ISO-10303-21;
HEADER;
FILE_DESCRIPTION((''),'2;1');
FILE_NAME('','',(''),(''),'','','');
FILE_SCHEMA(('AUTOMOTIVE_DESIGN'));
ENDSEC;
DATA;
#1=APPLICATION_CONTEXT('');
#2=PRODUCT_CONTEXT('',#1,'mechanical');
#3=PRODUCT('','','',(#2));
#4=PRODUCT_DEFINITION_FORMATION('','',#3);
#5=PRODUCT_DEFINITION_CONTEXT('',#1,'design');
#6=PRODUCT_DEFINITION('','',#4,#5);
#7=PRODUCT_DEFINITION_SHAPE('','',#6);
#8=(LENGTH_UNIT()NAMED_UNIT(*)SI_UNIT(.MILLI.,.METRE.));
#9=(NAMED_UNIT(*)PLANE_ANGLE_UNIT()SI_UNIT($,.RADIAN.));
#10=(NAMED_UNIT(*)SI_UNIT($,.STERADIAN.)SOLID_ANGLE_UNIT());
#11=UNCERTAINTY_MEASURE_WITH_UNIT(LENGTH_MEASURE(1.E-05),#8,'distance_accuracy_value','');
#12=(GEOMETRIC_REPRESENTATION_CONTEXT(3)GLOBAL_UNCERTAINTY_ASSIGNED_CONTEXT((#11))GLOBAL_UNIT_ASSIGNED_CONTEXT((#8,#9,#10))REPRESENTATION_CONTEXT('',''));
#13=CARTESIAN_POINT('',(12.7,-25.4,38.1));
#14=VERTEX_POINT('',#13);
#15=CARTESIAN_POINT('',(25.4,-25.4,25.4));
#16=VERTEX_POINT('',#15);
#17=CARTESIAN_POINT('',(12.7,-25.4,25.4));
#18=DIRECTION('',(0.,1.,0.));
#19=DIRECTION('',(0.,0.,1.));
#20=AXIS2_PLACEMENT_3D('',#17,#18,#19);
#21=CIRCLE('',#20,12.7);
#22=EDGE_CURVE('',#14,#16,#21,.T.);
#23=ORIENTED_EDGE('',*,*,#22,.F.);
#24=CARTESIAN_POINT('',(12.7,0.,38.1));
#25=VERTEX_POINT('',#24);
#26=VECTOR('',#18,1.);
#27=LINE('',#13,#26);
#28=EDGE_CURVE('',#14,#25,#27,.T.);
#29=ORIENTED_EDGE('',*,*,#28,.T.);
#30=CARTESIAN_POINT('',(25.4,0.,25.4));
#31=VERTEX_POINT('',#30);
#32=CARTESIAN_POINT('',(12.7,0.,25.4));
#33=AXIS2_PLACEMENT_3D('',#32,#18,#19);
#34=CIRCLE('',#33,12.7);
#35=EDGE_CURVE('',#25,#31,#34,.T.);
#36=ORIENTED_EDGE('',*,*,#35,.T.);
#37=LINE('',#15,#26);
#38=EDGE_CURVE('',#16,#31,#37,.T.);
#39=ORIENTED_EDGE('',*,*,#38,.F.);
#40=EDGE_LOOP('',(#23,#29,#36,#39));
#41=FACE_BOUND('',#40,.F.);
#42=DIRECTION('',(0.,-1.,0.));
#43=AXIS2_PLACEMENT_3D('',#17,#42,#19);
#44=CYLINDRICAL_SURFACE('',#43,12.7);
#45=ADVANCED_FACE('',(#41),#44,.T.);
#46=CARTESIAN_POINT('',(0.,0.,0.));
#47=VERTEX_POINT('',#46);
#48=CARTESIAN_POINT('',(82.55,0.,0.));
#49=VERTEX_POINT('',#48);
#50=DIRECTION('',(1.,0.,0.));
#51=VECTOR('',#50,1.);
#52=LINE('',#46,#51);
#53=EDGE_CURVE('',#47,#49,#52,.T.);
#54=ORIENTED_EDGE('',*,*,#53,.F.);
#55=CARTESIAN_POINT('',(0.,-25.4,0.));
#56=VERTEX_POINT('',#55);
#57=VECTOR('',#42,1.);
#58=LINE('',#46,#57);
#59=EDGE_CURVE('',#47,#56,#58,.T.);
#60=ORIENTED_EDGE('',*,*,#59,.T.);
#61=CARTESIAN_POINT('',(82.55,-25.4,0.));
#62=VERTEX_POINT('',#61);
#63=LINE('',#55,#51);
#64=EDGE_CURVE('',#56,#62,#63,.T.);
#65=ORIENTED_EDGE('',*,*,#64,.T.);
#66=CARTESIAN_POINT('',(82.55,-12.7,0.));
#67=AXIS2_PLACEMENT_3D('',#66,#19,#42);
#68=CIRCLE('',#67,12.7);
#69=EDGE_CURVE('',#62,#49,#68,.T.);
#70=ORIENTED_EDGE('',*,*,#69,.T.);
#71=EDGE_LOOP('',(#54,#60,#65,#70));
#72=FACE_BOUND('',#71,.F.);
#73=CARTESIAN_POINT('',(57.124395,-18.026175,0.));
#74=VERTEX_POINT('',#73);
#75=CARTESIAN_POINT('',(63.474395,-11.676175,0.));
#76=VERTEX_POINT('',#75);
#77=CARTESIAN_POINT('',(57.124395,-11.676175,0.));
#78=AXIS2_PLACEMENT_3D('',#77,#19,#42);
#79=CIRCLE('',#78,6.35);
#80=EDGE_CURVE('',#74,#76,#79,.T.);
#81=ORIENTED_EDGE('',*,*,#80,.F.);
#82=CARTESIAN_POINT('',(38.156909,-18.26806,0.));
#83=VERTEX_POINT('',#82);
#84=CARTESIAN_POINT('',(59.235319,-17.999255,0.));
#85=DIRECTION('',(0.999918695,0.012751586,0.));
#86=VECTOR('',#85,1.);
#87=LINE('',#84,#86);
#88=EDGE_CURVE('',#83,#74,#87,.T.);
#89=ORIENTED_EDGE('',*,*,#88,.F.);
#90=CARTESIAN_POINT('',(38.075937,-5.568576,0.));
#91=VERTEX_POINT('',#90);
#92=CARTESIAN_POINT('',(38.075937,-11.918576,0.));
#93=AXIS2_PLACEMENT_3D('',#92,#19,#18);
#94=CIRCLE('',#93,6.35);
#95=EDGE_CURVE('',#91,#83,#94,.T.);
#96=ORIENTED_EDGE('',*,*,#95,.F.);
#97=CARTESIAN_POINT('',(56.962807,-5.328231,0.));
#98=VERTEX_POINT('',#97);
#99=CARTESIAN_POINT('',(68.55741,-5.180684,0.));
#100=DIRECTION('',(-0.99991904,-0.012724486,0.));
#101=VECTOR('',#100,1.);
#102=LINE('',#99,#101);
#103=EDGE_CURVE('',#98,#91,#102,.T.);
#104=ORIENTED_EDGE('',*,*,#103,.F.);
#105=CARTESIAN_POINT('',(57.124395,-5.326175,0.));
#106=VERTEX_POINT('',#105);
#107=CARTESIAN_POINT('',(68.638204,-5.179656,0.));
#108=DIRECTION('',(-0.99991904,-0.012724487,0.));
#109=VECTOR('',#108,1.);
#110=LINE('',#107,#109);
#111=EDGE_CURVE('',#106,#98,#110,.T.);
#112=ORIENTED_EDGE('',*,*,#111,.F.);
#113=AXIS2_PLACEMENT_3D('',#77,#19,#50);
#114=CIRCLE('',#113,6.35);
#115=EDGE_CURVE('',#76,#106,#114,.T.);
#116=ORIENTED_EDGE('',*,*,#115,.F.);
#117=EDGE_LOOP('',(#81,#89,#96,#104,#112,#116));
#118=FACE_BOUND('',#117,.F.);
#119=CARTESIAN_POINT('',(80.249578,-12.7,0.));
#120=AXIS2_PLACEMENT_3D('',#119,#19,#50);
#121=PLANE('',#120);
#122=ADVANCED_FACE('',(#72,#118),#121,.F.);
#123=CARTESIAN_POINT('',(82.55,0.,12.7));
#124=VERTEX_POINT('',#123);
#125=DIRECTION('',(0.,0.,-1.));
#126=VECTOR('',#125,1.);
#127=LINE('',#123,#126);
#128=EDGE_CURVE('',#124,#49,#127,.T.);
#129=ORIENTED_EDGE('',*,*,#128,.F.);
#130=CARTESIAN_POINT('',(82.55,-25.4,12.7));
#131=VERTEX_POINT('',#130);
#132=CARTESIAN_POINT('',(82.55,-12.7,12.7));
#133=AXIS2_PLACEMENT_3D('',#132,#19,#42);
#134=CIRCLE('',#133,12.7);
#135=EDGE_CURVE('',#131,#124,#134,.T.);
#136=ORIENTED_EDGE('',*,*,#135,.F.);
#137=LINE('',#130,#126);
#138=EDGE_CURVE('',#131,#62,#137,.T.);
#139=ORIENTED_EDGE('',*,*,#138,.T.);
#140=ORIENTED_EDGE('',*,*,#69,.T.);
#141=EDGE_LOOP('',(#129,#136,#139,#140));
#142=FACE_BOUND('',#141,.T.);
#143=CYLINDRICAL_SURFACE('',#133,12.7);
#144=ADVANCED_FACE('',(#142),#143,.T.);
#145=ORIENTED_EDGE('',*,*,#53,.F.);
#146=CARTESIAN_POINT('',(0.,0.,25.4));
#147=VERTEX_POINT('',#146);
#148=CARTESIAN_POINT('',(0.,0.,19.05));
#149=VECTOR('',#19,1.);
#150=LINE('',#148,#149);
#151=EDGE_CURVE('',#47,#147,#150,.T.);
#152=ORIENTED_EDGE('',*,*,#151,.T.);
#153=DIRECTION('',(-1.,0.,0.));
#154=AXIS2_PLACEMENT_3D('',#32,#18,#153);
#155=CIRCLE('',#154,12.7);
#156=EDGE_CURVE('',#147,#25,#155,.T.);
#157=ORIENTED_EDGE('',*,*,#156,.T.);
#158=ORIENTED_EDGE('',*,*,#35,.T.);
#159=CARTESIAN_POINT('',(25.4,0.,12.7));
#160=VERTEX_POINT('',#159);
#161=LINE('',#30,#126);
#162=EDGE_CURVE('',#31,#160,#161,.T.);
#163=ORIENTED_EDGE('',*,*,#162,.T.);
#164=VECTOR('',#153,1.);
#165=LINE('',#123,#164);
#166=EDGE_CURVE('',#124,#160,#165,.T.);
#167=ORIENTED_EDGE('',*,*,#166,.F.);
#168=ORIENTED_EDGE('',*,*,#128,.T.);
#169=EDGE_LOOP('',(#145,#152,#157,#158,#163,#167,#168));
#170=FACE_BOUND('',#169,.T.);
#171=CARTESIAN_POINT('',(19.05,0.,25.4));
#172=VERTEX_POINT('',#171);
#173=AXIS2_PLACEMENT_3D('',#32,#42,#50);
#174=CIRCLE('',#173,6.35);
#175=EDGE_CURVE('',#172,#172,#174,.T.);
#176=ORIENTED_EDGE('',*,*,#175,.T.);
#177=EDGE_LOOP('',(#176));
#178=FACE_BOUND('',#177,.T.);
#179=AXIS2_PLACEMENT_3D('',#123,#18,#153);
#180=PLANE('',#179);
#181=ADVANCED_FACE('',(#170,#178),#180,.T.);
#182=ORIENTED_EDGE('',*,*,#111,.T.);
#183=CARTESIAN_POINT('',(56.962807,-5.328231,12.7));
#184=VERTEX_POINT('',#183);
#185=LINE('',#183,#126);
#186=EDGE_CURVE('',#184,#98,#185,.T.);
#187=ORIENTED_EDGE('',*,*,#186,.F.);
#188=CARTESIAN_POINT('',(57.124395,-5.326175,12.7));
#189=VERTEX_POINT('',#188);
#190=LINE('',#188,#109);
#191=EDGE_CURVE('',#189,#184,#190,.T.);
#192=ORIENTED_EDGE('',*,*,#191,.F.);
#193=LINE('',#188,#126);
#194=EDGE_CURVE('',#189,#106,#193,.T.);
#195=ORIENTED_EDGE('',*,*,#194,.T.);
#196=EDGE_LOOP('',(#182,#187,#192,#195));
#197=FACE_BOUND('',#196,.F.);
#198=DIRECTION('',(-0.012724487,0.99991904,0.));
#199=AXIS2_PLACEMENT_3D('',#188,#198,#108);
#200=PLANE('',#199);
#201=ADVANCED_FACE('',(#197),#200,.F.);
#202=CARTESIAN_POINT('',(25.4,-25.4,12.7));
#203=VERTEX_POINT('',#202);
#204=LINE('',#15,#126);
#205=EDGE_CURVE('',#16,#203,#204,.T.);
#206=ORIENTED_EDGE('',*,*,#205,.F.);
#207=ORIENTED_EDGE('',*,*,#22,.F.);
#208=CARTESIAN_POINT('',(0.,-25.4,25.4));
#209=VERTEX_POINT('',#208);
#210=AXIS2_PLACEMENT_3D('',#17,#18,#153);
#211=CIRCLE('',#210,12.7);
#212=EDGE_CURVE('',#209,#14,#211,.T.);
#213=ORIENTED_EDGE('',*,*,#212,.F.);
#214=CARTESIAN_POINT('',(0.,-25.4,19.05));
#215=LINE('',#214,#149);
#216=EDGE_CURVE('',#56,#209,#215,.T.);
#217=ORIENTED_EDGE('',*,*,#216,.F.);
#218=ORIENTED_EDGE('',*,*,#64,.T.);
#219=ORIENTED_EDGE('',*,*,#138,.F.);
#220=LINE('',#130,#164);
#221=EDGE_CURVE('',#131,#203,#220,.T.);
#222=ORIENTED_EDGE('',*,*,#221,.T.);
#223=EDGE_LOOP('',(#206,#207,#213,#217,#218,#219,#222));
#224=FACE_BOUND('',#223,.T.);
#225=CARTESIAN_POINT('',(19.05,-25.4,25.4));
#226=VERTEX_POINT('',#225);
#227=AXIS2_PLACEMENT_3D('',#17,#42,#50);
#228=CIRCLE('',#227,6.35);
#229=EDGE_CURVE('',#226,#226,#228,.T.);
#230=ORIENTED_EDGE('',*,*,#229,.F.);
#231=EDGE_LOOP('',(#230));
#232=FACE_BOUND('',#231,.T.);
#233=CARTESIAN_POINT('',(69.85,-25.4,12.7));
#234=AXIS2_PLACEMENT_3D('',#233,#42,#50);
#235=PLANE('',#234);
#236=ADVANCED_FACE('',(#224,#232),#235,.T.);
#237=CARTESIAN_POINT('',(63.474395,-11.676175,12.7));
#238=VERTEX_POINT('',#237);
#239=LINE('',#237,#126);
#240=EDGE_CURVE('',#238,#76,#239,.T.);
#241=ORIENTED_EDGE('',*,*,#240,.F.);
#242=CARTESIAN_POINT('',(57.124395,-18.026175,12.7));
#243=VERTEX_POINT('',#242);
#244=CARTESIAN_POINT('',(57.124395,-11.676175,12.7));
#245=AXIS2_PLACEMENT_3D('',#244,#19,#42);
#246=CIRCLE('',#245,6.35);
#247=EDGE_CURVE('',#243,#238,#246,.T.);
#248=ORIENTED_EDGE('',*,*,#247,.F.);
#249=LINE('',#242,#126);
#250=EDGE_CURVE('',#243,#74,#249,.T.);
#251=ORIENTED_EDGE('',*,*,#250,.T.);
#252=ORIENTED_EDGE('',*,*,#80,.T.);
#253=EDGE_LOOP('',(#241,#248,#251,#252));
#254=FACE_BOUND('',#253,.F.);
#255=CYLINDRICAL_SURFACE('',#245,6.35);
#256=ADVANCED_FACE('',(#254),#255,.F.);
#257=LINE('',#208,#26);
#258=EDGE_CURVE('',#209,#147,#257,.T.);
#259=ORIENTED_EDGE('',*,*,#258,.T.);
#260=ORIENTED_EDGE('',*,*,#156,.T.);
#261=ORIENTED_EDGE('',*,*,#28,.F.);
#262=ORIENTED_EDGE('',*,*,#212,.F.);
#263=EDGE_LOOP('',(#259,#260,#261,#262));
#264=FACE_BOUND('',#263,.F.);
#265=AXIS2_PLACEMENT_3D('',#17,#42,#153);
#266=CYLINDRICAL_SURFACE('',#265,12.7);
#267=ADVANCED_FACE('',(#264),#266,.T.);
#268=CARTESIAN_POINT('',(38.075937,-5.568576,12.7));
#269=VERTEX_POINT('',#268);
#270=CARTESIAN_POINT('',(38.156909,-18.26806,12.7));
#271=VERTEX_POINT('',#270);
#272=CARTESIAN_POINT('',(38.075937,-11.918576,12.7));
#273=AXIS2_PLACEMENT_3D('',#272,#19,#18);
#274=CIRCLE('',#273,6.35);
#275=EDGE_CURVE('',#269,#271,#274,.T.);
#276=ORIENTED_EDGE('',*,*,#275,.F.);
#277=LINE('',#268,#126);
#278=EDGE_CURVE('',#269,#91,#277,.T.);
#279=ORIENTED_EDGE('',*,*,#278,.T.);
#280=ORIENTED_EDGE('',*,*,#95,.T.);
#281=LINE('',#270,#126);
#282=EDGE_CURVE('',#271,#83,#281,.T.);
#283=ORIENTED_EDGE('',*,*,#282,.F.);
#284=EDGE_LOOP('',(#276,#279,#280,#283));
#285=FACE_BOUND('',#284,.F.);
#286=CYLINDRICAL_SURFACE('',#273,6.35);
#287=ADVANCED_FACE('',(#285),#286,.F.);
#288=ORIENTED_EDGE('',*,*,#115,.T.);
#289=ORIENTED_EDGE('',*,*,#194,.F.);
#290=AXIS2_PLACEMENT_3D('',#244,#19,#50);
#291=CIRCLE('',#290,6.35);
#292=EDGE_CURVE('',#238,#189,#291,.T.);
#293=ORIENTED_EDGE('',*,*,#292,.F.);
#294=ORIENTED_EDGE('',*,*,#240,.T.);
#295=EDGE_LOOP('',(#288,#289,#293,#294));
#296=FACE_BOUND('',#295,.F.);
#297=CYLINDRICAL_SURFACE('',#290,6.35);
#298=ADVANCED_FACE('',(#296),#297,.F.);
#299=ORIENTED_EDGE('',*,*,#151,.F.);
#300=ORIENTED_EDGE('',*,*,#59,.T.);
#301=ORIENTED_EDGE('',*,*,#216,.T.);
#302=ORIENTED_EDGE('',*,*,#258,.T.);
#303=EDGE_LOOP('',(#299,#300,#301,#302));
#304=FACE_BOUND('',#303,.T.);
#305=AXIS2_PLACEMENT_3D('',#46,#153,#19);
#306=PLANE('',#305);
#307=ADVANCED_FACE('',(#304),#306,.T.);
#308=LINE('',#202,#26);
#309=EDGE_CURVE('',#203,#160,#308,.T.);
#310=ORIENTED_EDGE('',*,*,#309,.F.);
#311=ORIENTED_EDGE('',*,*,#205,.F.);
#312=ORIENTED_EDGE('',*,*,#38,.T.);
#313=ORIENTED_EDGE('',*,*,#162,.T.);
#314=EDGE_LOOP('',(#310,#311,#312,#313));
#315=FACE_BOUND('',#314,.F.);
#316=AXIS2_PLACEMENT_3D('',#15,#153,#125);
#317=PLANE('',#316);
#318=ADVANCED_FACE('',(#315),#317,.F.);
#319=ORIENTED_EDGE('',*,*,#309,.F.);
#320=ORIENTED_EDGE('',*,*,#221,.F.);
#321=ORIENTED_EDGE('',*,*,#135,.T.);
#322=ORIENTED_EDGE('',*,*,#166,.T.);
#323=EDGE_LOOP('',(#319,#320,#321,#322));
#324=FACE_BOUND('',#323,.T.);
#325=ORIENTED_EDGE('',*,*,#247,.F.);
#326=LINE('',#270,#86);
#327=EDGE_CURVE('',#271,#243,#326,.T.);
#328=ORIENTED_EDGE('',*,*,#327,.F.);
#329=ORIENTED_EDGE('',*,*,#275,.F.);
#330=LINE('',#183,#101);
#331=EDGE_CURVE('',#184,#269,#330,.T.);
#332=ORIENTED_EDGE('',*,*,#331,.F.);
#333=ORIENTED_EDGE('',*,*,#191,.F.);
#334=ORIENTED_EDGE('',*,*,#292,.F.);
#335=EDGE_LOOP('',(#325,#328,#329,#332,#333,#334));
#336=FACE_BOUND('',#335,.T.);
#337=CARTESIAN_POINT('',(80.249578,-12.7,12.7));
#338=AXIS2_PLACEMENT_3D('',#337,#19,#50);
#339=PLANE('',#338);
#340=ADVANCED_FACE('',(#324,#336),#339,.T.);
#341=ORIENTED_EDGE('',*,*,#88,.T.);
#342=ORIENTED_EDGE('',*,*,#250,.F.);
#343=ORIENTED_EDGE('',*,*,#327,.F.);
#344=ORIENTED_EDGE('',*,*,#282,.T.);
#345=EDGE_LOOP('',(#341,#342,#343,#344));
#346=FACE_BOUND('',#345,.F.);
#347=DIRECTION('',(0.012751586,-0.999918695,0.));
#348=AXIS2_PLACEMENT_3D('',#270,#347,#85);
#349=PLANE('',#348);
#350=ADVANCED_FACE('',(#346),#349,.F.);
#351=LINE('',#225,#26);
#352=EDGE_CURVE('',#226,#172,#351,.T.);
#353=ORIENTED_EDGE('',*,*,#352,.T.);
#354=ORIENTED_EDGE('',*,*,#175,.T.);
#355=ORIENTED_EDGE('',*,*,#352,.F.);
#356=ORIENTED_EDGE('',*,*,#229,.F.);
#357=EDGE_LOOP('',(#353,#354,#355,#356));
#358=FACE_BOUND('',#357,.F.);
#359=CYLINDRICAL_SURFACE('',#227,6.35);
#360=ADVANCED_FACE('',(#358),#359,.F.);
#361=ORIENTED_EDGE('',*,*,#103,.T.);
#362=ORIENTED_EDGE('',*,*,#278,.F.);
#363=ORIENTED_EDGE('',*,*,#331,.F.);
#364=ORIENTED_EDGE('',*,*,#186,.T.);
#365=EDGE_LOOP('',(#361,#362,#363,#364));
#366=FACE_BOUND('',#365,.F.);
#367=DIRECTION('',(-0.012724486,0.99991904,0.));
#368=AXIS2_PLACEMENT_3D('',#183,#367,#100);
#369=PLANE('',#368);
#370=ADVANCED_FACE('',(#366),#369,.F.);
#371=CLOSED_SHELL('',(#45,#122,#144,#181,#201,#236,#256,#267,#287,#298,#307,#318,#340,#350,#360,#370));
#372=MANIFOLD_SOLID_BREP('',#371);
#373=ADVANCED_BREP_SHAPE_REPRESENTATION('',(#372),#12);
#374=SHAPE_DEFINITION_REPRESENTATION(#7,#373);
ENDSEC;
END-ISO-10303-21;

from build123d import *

# Parameters (mm, degrees)
F0_W     = 69.85
F0_H     = 38.1
F1_DEPTH = 25.4
F3_DEPTH = 25.4
F5_DEPTH = 12.7
F7_DEPTH = 25.4
F8_R     = 6.35
F9_DEPTH = 25.4


with BuildPart() as f1:
    # F0 (on Front) → F1 (new body)
    with BuildSketch(Plane.XZ):
        with Locations((34.925, 19.05)):
            Rectangle(F0_W, F0_H)
    extrude(amount=F1_DEPTH)

    # F2 (on face) → F3 (cut)
    with BuildSketch(Plane.XZ.offset(25.4)):
        with BuildLine():
            Line((0, 38.1), (0, 25.4))
            ThreePointArc((0, 25.4), (3.7197438789, 34.3802561211), (12.7, 38.1))
            Line((12.7, 38.1), (0, 38.1))
        make_face()
        with BuildLine():
            Line((69.85, 38.1), (12.7, 38.1))
            ThreePointArc((12.7, 38.1), (21.6802561211, 34.3802561211), (25.4, 25.4))
            Line((25.4, 25.4), (25.4, 12.7))
            Line((25.4, 12.7), (69.85, 12.7))
            Line((69.85, 12.7), (69.85, 38.1))
        make_face()
    extrude(amount=-F3_DEPTH, mode=Mode.SUBTRACT)

    # F4 (on face) → F5 (join)
    with BuildSketch(Plane.XY.offset(12.7)):
        with BuildLine():
            Line((69.85, -25.4), (82.55, -25.4))
            ThreePointArc((82.55, -25.4), (95.25, -12.7), (82.55, 0))
            Line((82.55, 0), (69.85, 0))
            Line((69.85, 0), (69.85, -25.4))
        make_face()
    extrude(amount=-F5_DEPTH)

    # F6 (on face) → F7 (cut)
    with BuildSketch(Plane.XY.offset(12.7)):
        with BuildLine():
            ThreePointArc((38.0759369288, -5.5685763133), (42.5660649893, -7.4284482528), (44.4259369288, -11.9185763133))
            ThreePointArc((44.4259369288, -11.9185763133), (42.5946024122, -16.3799844149), (38.1569094488, -18.2680600287))
            Line((38.1569094488, -18.2680600287), (57.1243946492, -18.0261748455))
            ThreePointArc((57.1243946492, -18.0261748455), (50.7749087424, -11.7569753348), (56.9628067538, -5.328231135))
            Line((56.9628067538, -5.328231135), (38.0759369288, -5.5685763133))
        make_face()
        with BuildLine():
            Line((57.1243946492, -5.3261748455), (56.9628067538, -5.328231135))
            ThreePointArc((56.9628067538, -5.328231135), (50.7749087424, -11.7569753348), (57.1243946492, -18.0261748455))
            ThreePointArc((57.1243946492, -18.0261748455), (61.6145227098, -16.1663029061), (63.4743946492, -11.6761748455))
            ThreePointArc((63.4743946492, -11.6761748455), (61.6145227098, -7.186046785), (57.1243946492, -5.3261748455))
        make_face()
        with BuildLine():
            ThreePointArc((38.1569094488, -18.2680600287), (42.5946024122, -16.3799844149), (44.4259369288, -11.9185763133))
            ThreePointArc((44.4259369288, -11.9185763133), (42.5660649893, -7.4284482528), (38.0759369288, -5.5685763133))
            ThreePointArc((38.0759369288, -5.5685763133), (31.7260660012, -11.9590633963), (38.1569094488, -18.2680600287))
        make_face()
    extrude(amount=-F7_DEPTH, mode=Mode.SUBTRACT)

    # F8 (on face) → F9 (cut)
    with BuildSketch(Plane.XZ.offset(25.4)):
        with Locations((12.7, 25.4)):
            Circle(F8_R)
    extrude(amount=-F9_DEPTH, mode=Mode.SUBTRACT)


solid = f1.part
